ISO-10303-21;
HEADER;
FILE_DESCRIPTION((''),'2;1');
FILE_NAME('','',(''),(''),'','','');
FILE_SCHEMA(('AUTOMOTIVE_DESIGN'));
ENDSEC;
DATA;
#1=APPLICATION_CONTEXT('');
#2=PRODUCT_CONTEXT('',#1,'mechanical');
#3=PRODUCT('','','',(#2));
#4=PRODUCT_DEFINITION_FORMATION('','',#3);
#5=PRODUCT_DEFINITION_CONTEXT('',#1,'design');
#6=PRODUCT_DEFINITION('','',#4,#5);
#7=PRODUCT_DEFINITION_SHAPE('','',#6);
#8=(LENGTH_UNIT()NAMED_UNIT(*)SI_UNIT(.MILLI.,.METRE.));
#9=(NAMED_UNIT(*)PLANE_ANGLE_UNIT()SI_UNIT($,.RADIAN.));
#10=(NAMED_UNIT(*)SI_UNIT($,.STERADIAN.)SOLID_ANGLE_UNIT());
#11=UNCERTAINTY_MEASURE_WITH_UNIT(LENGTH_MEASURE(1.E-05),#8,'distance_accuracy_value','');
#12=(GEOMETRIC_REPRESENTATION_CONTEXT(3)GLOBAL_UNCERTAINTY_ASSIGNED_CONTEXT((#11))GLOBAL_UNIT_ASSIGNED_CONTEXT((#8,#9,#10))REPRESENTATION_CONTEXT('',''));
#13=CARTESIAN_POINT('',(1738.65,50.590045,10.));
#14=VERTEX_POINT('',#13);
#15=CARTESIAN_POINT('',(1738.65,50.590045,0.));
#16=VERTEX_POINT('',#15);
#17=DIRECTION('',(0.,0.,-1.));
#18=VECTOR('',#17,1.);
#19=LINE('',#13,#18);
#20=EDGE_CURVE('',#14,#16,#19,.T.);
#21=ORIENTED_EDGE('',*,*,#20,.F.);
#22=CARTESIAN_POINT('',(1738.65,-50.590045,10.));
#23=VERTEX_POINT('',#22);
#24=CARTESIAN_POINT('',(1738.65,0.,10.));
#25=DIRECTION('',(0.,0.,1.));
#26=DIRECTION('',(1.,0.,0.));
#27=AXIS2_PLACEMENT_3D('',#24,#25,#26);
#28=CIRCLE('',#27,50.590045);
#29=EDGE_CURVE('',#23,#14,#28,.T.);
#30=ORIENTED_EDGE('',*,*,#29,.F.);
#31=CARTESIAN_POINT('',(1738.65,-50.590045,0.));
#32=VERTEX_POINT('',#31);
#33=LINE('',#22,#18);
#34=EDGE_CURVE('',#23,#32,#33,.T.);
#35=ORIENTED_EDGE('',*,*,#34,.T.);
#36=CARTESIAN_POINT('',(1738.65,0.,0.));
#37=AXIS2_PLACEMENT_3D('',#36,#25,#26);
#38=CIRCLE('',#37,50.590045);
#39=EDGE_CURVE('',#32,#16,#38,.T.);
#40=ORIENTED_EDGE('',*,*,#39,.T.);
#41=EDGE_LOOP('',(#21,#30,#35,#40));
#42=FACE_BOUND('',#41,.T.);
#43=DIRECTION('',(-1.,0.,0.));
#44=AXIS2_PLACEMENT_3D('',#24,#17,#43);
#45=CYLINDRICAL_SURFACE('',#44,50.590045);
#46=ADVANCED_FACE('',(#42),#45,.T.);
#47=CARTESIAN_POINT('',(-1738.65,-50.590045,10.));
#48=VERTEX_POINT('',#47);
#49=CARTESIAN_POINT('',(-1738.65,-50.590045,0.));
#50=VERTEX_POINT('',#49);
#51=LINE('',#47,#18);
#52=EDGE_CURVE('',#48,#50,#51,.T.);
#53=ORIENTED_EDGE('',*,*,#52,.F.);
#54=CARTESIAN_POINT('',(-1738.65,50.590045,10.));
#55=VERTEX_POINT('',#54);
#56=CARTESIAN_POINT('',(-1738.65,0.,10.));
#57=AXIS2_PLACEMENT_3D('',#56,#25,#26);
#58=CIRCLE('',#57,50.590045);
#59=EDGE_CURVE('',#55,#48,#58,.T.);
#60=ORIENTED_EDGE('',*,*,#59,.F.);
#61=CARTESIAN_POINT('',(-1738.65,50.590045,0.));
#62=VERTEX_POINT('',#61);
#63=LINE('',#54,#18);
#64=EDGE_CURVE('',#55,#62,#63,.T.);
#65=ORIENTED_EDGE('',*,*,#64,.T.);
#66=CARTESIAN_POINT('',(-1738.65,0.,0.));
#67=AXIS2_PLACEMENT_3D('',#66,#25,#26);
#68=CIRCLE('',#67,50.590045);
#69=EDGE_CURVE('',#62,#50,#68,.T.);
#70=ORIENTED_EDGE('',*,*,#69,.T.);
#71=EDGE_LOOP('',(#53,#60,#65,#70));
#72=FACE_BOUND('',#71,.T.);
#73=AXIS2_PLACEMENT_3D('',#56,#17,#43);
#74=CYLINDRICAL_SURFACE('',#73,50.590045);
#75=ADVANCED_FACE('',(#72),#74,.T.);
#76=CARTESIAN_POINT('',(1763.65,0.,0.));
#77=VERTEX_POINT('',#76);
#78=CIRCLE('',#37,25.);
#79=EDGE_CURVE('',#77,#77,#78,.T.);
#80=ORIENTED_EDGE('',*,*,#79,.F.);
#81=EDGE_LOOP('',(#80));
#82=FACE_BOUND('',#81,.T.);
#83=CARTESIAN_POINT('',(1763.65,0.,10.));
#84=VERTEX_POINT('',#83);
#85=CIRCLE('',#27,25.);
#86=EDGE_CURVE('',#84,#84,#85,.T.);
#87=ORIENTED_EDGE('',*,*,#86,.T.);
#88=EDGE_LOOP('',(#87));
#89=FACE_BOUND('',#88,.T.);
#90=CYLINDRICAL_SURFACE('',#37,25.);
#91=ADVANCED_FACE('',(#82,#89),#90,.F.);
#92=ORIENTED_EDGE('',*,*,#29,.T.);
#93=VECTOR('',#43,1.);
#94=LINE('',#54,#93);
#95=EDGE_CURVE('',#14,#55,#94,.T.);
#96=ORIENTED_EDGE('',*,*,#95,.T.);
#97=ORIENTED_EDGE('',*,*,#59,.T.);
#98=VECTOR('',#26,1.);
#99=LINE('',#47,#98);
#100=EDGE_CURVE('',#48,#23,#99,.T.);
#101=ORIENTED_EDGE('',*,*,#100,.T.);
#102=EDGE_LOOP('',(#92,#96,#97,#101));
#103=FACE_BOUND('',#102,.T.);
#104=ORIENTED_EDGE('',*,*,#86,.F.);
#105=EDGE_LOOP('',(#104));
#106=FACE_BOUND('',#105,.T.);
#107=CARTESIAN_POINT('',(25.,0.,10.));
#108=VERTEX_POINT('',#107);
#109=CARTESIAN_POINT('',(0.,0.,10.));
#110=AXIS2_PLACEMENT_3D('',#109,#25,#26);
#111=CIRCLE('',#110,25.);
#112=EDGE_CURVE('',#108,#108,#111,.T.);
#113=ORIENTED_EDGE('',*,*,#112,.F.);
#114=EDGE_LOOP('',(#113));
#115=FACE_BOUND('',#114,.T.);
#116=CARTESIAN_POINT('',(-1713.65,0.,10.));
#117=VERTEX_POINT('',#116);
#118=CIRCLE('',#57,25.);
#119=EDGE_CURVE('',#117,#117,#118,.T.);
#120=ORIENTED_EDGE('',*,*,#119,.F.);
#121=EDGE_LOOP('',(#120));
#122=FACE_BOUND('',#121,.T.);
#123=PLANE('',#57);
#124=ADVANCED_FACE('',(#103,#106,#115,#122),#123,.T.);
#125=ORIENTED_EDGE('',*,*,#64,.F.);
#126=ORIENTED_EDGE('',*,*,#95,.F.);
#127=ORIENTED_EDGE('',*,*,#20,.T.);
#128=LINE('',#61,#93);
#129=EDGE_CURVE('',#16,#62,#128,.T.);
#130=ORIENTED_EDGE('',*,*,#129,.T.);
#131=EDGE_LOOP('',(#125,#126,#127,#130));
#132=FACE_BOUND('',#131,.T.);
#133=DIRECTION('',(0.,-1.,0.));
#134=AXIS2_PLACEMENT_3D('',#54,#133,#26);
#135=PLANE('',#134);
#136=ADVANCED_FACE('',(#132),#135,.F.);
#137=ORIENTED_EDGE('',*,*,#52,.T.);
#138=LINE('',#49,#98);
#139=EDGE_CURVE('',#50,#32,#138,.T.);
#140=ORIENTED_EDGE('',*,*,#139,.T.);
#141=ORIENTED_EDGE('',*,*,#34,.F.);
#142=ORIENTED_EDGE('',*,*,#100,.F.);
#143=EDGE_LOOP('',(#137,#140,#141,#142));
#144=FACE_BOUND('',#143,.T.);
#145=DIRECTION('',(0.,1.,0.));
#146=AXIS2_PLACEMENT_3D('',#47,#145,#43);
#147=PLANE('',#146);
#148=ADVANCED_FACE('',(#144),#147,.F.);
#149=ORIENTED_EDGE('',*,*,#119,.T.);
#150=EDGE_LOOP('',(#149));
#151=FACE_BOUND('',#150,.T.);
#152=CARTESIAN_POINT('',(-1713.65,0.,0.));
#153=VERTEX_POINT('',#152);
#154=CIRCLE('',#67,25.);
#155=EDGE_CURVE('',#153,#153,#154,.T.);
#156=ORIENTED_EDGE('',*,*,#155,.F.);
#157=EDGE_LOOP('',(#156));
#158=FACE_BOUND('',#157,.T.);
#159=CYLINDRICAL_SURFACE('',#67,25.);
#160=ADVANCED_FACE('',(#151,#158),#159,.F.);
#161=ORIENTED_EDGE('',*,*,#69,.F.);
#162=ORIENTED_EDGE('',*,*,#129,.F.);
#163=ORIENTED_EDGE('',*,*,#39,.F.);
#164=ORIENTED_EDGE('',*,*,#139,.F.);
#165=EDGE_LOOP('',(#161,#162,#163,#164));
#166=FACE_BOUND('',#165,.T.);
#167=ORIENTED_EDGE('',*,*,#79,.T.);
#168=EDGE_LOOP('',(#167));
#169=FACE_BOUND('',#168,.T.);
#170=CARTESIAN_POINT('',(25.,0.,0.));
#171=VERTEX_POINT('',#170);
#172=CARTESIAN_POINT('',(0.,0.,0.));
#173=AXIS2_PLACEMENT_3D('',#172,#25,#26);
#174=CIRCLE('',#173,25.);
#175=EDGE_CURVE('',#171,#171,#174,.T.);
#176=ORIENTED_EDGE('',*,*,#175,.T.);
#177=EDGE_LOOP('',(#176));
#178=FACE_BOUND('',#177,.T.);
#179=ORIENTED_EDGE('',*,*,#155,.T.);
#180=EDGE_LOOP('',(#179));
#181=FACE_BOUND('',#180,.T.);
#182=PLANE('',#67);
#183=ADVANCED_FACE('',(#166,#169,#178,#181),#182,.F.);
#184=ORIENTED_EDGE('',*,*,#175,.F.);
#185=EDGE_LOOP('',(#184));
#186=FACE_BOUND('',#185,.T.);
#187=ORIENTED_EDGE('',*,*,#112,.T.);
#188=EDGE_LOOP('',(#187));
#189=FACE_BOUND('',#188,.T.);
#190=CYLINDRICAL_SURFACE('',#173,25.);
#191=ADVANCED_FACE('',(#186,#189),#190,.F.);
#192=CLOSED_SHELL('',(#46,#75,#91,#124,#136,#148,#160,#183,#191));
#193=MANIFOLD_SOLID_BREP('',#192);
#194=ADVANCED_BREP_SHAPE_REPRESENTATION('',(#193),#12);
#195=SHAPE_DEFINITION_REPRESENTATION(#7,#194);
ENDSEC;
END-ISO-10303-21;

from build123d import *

# Parameters (mm, degrees)
BOSS_EXTRUDE1_DEPTH = 10
SKETCH2_R           = 25
CUT_EXTRUDE1_DEPTH  = 10


with BuildPart() as part:
    # Sketch1 → Boss-Extrude1 (new body)
    with BuildSketch(Plane.XY):
        with BuildLine():
            Line((-1738.65, 50.590045249), (1738.65, 50.590045249))
            ThreePointArc((1738.65, 50.590045249), (1789.240045249, 0), (1738.65, -50.590045249))
            Line((1738.65, -50.590045249), (-1738.65, -50.590045249))
            ThreePointArc((-1738.65, -50.590045249), (-1789.240045249, 0), (-1738.65, 50.590045249))
        make_face()
    extrude(amount=BOSS_EXTRUDE1_DEPTH)

    # Sketch2 → Cut-Extrude1 (cut)
    with BuildSketch(Plane.XY.offset(10)):
        Circle(SKETCH2_R)
        with Locations((-1738.65, 0)):
            Circle(SKETCH2_R)
        with Locations((1738.65, 0)):
            Circle(SKETCH2_R)
    extrude(amount=-CUT_EXTRUDE1_DEPTH, mode=Mode.SUBTRACT)


solid = part.part
